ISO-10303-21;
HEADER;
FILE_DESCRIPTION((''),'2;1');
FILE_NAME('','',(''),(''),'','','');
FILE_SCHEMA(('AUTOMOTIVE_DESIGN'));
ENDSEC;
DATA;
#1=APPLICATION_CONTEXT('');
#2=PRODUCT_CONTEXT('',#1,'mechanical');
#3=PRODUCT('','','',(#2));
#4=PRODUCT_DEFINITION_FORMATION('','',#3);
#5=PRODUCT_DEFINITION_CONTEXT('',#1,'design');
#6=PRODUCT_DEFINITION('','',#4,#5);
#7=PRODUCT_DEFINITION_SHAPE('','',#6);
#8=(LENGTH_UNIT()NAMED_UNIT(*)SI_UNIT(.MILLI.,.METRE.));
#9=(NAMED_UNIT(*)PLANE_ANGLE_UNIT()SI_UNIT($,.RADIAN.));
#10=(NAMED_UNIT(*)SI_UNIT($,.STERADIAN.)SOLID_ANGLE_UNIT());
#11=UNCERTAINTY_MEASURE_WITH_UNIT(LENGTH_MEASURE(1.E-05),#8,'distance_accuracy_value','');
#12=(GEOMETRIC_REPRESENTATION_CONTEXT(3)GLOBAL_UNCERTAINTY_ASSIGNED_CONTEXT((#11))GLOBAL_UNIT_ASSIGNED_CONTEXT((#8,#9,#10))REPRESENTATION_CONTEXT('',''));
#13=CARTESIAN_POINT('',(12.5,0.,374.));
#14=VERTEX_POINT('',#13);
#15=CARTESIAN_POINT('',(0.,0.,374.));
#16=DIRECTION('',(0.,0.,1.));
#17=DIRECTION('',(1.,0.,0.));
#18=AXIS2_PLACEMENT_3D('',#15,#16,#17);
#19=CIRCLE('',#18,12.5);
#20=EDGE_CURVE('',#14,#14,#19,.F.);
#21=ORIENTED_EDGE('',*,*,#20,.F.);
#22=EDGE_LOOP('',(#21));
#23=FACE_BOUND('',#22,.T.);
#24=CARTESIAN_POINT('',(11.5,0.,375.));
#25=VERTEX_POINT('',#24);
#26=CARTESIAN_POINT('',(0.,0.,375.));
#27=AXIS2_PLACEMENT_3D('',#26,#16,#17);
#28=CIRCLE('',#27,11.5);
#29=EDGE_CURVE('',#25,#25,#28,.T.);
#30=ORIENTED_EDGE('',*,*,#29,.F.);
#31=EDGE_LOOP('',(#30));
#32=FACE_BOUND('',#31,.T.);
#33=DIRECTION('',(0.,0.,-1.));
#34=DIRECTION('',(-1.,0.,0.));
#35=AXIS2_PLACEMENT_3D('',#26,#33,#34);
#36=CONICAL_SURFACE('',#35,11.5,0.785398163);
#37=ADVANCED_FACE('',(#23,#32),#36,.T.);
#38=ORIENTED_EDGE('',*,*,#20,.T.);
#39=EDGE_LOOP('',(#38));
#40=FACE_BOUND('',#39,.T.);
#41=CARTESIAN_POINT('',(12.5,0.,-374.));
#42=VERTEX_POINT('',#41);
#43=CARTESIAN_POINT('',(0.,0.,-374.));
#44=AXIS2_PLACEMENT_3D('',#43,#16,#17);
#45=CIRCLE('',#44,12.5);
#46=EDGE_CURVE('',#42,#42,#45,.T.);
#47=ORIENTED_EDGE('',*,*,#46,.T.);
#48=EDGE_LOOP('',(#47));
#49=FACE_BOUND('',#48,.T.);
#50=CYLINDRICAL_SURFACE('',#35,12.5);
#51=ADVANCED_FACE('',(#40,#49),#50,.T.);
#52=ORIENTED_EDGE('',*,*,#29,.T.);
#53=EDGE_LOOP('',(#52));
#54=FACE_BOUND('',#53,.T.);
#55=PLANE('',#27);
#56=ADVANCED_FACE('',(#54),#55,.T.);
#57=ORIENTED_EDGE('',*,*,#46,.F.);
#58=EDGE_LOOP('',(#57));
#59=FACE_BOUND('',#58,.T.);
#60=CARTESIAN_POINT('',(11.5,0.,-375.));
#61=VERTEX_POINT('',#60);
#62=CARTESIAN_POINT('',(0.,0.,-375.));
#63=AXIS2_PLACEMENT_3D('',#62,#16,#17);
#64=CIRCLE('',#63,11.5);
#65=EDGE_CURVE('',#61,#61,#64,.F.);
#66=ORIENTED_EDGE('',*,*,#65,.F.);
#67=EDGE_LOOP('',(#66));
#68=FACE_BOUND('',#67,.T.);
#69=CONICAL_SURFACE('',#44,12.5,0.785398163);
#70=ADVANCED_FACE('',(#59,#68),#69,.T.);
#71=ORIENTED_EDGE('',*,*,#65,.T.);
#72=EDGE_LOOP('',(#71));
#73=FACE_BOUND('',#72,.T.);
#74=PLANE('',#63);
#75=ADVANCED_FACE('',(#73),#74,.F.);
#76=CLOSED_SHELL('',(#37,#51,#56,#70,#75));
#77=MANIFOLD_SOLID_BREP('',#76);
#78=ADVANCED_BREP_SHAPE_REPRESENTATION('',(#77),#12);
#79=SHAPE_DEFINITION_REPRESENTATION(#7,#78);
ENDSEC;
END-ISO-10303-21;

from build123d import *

# Parameters (mm, degrees)
SKETCH_1_R      = 12.5
EXTRUDE_1_DEPTH = 375
CHAMFER_1_SIZE  = 1


with BuildPart() as part:
    # Эскиз1 → Бобышка-Вытянуть1 (new, symmetric)
    with BuildSketch(Plane.XY):
        Circle(SKETCH_1_R)
    extrude(amount=EXTRUDE_1_DEPTH, both=True)

    # Фаска1
    chamfer_1_edges = [part.edges().sort_by_distance(p)[0] for p in [
        (-12.5, 0, -375),
        (-12.5, 0, 375),
    ]]
    chamfer(chamfer_1_edges, length=CHAMFER_1_SIZE)


solid = part.part
